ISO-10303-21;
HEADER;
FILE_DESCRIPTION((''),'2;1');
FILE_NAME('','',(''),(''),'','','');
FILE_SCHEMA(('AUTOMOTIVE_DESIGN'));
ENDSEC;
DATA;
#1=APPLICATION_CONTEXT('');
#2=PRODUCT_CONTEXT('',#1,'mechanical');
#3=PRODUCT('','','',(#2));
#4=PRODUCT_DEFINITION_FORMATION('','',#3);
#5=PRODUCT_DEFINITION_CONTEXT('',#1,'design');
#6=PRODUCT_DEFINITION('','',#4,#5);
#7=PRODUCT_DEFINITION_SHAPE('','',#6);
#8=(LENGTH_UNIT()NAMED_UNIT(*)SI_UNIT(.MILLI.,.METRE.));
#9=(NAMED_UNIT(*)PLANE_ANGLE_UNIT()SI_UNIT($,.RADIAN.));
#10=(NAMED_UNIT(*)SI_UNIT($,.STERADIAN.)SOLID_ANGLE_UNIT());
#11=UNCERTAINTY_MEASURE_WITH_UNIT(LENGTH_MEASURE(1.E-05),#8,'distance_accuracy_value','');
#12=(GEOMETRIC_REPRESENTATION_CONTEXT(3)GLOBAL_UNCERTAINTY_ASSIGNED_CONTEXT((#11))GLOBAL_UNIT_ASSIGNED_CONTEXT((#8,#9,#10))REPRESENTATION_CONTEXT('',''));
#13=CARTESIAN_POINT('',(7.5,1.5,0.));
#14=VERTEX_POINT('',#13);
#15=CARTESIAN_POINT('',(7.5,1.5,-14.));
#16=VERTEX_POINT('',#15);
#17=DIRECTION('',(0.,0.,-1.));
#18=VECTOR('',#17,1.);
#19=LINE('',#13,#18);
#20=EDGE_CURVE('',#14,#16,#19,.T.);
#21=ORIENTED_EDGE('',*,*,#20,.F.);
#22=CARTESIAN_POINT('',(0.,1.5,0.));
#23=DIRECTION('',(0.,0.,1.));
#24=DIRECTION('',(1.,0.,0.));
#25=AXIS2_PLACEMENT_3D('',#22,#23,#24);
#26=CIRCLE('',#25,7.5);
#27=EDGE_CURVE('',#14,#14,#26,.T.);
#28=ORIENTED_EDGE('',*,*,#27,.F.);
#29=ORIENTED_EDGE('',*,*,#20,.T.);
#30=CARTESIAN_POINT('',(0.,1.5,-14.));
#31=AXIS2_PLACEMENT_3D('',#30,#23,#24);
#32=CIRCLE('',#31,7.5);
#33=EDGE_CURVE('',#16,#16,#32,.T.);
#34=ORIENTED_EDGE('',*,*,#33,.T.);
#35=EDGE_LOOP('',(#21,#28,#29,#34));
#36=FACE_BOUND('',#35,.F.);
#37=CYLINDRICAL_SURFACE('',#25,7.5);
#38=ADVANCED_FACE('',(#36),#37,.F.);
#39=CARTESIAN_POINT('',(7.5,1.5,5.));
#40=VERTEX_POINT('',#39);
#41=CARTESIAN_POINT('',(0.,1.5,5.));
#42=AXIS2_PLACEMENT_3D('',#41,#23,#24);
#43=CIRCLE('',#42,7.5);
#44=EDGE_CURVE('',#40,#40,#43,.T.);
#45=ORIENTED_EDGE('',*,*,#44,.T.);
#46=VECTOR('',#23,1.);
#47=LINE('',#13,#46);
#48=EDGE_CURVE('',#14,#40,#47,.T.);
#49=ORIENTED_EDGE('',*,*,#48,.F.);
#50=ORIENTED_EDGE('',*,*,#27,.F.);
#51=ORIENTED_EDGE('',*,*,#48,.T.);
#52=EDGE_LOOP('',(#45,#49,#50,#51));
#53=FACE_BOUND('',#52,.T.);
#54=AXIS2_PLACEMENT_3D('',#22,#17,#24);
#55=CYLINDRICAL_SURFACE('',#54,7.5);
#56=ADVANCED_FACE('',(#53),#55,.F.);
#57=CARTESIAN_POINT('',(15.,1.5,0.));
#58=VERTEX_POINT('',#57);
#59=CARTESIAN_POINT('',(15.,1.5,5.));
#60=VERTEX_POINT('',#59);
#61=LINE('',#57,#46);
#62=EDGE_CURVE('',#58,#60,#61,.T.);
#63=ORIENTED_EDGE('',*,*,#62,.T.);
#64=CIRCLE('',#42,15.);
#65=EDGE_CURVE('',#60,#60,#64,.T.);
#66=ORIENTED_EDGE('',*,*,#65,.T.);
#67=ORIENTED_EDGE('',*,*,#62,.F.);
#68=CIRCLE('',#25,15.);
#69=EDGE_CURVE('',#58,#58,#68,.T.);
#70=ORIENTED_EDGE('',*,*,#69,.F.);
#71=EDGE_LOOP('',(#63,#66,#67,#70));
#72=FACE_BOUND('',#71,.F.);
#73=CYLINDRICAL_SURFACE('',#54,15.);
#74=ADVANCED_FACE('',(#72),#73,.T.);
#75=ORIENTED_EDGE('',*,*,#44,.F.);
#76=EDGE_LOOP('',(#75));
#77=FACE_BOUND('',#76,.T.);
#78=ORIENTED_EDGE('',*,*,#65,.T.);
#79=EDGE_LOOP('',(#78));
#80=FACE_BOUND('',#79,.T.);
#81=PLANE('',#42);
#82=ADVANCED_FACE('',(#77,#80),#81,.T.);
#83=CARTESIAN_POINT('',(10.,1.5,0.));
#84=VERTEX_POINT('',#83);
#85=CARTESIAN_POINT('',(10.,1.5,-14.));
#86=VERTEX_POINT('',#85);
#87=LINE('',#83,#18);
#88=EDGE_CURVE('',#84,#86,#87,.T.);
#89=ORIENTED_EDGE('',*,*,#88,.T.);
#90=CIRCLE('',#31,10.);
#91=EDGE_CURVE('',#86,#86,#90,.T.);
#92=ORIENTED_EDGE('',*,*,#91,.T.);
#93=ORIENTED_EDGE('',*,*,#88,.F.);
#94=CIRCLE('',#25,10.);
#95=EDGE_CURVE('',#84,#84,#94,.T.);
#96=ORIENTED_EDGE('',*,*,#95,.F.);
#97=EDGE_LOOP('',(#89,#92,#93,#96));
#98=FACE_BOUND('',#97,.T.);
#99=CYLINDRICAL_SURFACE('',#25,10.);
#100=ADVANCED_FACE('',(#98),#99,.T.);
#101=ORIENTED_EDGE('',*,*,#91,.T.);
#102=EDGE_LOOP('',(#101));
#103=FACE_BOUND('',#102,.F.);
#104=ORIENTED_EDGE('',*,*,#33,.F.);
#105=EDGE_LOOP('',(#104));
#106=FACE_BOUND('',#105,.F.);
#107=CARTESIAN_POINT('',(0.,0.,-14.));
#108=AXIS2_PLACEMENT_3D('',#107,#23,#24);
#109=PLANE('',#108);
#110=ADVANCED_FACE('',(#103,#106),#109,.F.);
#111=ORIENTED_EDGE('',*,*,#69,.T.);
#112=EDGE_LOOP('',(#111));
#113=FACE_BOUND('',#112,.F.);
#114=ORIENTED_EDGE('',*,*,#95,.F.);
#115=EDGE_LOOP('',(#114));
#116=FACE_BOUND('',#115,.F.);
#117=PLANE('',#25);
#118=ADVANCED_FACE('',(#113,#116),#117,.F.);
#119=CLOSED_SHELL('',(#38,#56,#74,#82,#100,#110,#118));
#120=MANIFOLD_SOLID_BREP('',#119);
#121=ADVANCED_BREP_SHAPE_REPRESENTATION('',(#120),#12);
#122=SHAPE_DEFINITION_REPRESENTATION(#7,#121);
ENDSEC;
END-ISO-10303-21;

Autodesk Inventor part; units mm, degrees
ref_plane "YZ Plane" through (0, 0, 0) normal (1, 0, 0) x (0, 1, 0)
sketch "Sketch1" plane through (0, 0, 0) normal (0, 0, 1) x (1, 0, 0)
  circle A0 centre (0, 1.5) radius 10 projected
  circle A1 centre (0, 1.5) radius 10 projected
  circle A2 centre (0, 1.5) radius 15
  circle A3 centre (0, 1.5) radius 7.5
  point P0 (0, 0)
  dimension "d0" = 30
  dimension "d1" = 15
ref_plane "Work Plane1" through (-46.5047, -36.7959, -17) normal (0, 0, -1) x (0, 1, 0)
ref_plane "Work Plane2" through (-46.5047, -36.7959, -14) normal (0, 0, -1) x (0, 1, 0)
extrude "Extrusion1" add sketch "Sketch1" against normal up to surface (14 mm away) contours A0
sketch "Sketch2" plane through (0, 1.5, 0) normal (0, 0, 1) x (1, 0, 0)
  circle A0 centre (0, 0) radius 10 projected
  circle A1 centre (0, 0) radius 7.5 projected
  circle A2 centre (0, 0) radius 15
  point P0 (0, -1.5)
  dimension "d4" = 30
extrude "Extrusion2" add sketch "Sketch2" along normal blind 5 contours A0 | A2
properties part number "glide lejre bushing" material "Brass, Soft Yellow"
